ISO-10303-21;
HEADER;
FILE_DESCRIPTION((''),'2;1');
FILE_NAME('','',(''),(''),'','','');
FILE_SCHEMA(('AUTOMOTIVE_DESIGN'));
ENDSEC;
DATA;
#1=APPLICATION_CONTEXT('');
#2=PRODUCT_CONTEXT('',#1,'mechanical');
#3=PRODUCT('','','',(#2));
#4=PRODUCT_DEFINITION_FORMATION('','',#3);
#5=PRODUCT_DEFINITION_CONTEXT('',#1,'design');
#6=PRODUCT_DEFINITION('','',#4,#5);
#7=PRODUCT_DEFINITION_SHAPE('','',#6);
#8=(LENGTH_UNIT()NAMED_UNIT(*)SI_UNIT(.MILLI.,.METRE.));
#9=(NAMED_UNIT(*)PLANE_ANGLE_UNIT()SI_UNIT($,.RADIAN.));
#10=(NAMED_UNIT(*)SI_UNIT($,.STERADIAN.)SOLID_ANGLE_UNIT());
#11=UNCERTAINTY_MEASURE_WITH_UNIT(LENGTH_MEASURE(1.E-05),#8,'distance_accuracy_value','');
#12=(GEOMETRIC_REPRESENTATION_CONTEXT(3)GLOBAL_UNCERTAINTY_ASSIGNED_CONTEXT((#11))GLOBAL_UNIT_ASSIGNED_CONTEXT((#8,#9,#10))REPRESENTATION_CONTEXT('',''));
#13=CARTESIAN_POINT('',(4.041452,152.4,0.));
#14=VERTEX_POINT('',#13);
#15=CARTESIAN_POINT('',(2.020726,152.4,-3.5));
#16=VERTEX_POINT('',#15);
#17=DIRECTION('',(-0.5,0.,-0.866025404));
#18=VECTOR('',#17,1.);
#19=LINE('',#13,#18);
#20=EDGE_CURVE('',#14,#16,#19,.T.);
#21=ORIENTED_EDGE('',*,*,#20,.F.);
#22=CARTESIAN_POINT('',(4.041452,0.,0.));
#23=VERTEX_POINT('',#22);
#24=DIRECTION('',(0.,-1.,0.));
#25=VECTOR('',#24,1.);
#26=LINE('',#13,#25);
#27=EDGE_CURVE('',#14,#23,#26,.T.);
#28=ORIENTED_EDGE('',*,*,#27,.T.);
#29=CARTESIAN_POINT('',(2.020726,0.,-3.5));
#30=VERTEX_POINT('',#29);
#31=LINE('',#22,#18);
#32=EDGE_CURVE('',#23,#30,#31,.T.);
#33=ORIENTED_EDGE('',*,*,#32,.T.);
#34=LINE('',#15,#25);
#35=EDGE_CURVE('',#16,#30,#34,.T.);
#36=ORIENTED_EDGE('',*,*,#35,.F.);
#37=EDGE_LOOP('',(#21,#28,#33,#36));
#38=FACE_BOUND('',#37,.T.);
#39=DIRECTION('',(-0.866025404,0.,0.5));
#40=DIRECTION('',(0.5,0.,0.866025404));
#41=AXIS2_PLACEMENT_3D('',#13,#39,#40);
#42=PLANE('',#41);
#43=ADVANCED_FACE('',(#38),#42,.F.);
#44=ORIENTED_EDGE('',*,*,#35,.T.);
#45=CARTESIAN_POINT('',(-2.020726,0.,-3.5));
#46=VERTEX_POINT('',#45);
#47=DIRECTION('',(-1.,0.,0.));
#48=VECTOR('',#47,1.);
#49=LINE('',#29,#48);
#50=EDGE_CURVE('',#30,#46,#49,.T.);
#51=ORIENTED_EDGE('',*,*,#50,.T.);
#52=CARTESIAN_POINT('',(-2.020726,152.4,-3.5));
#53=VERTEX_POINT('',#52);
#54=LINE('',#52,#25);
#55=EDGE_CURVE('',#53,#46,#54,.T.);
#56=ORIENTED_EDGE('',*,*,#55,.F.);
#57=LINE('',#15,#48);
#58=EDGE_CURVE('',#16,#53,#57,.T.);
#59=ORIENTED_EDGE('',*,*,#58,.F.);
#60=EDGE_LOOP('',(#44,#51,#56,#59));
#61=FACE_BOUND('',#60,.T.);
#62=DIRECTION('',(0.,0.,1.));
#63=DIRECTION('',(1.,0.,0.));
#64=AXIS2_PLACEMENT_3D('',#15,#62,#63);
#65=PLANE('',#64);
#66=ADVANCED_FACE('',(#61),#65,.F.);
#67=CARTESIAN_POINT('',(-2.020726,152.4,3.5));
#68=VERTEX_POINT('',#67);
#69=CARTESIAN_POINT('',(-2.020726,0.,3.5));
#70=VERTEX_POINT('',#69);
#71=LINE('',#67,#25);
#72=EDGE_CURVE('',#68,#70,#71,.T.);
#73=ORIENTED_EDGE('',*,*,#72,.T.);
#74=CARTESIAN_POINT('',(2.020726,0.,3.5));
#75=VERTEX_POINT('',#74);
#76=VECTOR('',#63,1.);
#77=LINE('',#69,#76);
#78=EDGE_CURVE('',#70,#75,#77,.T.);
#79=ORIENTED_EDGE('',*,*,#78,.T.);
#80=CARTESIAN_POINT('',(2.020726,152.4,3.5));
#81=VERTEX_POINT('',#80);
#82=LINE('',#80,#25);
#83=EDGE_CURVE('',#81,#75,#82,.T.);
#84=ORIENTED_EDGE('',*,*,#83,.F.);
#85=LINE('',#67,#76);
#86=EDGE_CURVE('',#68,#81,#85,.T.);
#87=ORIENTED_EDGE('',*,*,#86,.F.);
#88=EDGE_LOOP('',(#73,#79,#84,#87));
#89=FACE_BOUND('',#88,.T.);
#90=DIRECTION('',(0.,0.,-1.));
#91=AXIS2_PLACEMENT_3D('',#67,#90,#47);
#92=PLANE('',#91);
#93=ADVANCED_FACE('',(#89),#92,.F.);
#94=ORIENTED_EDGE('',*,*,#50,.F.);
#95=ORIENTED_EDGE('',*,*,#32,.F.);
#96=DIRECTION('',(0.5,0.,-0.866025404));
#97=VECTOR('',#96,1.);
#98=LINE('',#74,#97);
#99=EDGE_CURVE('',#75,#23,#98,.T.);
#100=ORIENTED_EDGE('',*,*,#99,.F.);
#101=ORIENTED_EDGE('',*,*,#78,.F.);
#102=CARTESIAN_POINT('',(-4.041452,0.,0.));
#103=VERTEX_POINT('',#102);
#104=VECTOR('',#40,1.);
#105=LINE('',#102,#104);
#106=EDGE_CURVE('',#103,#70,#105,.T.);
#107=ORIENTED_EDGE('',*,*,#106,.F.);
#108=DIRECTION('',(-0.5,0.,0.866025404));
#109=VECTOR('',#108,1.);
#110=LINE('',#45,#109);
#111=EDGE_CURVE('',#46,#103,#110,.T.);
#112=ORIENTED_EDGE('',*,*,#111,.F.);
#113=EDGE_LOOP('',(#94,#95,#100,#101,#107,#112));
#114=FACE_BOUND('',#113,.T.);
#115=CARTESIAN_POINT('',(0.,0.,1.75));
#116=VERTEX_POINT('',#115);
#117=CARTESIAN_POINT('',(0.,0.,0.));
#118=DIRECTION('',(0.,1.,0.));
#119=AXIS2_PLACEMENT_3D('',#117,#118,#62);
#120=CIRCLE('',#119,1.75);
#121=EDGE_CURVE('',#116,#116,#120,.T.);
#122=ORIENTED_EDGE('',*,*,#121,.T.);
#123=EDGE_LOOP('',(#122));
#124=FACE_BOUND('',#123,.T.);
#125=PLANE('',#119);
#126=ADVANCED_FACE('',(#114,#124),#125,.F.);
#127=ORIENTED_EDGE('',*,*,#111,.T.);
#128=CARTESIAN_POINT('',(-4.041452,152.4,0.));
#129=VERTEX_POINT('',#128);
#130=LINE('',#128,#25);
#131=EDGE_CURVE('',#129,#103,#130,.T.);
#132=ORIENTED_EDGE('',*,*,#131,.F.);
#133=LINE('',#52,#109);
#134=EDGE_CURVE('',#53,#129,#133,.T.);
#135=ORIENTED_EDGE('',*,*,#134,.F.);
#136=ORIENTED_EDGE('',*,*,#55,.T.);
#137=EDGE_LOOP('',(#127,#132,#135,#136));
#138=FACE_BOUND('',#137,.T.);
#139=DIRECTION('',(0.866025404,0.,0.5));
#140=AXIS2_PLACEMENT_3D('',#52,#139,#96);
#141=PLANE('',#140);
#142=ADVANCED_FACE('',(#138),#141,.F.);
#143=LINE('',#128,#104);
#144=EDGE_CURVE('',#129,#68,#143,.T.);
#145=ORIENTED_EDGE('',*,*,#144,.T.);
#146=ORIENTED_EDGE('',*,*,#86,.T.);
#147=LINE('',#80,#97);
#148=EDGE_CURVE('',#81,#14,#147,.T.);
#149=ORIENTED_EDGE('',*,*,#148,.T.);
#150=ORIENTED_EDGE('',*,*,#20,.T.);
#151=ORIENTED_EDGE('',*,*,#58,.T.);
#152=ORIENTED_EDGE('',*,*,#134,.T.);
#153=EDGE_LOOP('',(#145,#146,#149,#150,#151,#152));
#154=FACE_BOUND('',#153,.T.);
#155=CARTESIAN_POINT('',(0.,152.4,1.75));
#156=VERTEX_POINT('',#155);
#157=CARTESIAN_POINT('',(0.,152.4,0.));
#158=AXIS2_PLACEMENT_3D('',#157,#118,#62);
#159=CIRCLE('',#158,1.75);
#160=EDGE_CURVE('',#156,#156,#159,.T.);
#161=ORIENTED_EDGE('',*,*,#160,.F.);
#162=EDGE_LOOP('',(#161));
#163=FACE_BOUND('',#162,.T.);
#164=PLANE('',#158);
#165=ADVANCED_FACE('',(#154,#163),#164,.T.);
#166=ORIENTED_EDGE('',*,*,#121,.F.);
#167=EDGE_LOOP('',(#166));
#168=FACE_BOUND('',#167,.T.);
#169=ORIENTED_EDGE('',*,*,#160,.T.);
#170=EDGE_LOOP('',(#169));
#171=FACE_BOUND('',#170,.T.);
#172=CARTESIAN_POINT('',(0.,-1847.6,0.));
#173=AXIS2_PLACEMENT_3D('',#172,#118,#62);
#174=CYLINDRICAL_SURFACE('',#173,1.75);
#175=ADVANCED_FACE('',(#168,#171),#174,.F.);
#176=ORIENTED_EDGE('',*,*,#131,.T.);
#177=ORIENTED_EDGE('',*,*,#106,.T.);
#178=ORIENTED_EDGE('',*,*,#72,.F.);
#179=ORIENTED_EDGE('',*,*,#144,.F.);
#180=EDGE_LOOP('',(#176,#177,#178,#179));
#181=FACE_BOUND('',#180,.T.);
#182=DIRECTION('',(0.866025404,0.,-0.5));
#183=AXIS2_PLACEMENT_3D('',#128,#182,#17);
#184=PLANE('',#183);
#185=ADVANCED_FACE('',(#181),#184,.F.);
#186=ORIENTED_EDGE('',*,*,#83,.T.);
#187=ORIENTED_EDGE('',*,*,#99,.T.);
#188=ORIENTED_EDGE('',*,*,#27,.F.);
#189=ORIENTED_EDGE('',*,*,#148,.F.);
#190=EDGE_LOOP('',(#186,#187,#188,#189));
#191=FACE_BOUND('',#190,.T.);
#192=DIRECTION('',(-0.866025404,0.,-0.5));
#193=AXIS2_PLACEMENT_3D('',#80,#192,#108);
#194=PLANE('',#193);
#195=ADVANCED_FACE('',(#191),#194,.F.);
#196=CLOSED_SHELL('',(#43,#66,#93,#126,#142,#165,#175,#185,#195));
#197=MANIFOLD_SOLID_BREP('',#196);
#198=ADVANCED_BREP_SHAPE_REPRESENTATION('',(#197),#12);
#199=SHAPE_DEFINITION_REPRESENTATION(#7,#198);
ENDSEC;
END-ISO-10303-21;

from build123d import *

# Parameters (mm, degrees)
BOSS_EXTRUDE1_DEPTH = 152.4
SKETCH2_R           = 1.75
CUT_EXTRUDE1_DEPTH  = 2000


with BuildPart() as part:
    # Sketch1 → Boss-Extrude1 (new body)
    with BuildSketch(Plane(origin=(0, 0, 0), x_dir=(1, 0, 0), z_dir=(0, 1, 0))):
        Polygon((-2.020725942, 3.5), (-4.041451884, 0), (-2.020725942, -3.5), (2.020725942, -3.5), (4.041451884, 0), (2.020725942, 3.5), align=None)
    extrude(amount=BOSS_EXTRUDE1_DEPTH)

    # Sketch2 → Cut-Extrude1 (cut)
    with BuildSketch(Plane(origin=(0, 152.4, 0), x_dir=(1, 0, 0), z_dir=(0, 1, 0))):
        Circle(SKETCH2_R)
    extrude(amount=-CUT_EXTRUDE1_DEPTH, mode=Mode.SUBTRACT)


solid = part.part
